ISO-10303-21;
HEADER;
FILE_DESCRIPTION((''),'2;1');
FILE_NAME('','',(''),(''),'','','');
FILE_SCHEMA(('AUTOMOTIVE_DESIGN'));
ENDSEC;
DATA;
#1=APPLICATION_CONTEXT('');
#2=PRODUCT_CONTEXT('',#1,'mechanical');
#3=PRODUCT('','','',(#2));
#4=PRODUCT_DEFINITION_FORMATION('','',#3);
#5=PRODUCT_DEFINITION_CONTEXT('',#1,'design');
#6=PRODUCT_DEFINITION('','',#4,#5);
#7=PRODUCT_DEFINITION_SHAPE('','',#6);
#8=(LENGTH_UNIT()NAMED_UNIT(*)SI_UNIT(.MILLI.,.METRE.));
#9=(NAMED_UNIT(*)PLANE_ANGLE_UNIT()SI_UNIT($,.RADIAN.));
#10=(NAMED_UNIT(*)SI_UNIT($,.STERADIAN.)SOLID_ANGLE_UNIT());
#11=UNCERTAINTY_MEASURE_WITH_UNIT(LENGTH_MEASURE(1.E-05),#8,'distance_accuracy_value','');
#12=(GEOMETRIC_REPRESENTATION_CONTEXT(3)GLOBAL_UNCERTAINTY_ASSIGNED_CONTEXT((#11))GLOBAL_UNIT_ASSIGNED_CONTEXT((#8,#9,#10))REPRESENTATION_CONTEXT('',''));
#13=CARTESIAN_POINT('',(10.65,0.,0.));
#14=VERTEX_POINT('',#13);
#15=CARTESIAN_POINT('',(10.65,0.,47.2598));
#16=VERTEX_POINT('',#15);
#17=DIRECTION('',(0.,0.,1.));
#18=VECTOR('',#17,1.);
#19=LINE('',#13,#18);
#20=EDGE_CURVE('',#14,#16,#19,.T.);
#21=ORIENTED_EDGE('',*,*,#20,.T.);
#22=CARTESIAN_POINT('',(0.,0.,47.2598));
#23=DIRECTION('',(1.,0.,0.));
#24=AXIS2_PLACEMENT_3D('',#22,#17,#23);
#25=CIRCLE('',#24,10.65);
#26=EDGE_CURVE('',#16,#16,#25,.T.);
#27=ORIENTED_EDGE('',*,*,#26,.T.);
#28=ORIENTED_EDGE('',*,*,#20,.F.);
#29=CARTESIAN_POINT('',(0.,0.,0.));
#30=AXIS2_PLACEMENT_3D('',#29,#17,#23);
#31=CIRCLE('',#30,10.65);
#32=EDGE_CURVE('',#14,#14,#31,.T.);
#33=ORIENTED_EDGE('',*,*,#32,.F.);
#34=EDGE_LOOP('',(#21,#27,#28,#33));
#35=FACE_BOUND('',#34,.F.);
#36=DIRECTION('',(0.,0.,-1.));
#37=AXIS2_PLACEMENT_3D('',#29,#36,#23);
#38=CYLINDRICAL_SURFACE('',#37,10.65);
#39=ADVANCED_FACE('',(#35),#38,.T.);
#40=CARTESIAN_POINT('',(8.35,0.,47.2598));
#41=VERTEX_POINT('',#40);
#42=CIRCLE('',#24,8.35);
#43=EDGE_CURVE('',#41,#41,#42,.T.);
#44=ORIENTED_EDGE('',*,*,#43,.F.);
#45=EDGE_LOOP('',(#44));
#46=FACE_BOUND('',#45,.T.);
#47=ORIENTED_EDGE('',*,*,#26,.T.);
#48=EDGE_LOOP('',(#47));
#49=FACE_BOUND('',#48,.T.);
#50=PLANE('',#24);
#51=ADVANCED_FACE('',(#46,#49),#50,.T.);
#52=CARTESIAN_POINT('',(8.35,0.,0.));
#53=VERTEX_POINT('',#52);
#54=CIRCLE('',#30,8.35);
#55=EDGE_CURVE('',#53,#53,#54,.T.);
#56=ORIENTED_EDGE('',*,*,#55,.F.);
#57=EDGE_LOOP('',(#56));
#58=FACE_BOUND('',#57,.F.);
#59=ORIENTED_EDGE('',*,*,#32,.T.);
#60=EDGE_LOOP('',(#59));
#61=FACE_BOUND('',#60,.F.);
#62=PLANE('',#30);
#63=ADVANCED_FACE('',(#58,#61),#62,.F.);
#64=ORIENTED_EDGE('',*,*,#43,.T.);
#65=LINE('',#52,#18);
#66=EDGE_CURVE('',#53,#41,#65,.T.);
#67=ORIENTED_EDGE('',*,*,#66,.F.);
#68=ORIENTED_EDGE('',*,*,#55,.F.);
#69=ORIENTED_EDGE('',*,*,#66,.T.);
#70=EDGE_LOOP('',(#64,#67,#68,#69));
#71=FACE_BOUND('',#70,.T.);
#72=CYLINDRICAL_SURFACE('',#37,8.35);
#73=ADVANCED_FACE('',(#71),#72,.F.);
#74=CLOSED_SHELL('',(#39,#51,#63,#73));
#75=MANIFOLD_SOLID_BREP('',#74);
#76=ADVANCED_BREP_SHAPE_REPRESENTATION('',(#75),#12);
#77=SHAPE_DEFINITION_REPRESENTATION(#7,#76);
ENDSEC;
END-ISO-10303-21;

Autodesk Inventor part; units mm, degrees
ref_plane "YZ Plane" through (0, 0, 0) normal (1, 0, 0) x (0, 1, 0)
ref_plane "Start Plane" through (0, 0, 0) normal (0, 0, 1) x (1, 0, 0)
ref_plane "End Plane" through (0, 0, 47.2598) normal (0, 0, 1) x (1, 0, 0)
sketch "Sketch" plane through (0, 0, 0) normal (0, 0, 1) x (1, 0, 0)
  circle A0 centre (0, 0) radius 8.35
  circle A1 centre (0, 0) radius 10.65
  dimension "d0" = 21.3
  dimension "d1" = 2.3
extrude "Body" add sketch "Sketch" along normal up to surface (47.2598 mm away) from surface at 0
sketch "Sketch3" plane through (0, 0, 0) normal (0, 0, 1) x (1, 0, 0)
  line L0 (0, 0) -> (10, 0)
ref_plane "Work Plane3" through (0, 0, 0) normal (0, -1, 0) x (1, 0, 0)
sketch "Sketch4" plane through (0, 0, 0) normal (0, -1, 0) x (1, 0, 0)
  line L0 (-2, 0) -> (12, 0)
  line L1 (-2, 47.2598) -> (12, 47.2598)
  dimension "d7" = 47.2598
equation "\"d0\" = G_H"
equation "\"d1\" = G_T"
equation "\"d2\" = G_L"
equation "\"G_H\" = 21.3"
equation "\"G_T\" = 2.3"
equation "\"G_L\" = d7"
equation "\"G_OFFSET_START\" = 0"
equation "\"G_OFFSET_END\" = 0"
equation "\"d5\" = G_OFFSET_END + B_L"
equation "\"B_L\" = 47.25982"
properties part number "ISO 12633-2 - 21,3 x 2,3 - 47,26" material "Steel, Mild"
